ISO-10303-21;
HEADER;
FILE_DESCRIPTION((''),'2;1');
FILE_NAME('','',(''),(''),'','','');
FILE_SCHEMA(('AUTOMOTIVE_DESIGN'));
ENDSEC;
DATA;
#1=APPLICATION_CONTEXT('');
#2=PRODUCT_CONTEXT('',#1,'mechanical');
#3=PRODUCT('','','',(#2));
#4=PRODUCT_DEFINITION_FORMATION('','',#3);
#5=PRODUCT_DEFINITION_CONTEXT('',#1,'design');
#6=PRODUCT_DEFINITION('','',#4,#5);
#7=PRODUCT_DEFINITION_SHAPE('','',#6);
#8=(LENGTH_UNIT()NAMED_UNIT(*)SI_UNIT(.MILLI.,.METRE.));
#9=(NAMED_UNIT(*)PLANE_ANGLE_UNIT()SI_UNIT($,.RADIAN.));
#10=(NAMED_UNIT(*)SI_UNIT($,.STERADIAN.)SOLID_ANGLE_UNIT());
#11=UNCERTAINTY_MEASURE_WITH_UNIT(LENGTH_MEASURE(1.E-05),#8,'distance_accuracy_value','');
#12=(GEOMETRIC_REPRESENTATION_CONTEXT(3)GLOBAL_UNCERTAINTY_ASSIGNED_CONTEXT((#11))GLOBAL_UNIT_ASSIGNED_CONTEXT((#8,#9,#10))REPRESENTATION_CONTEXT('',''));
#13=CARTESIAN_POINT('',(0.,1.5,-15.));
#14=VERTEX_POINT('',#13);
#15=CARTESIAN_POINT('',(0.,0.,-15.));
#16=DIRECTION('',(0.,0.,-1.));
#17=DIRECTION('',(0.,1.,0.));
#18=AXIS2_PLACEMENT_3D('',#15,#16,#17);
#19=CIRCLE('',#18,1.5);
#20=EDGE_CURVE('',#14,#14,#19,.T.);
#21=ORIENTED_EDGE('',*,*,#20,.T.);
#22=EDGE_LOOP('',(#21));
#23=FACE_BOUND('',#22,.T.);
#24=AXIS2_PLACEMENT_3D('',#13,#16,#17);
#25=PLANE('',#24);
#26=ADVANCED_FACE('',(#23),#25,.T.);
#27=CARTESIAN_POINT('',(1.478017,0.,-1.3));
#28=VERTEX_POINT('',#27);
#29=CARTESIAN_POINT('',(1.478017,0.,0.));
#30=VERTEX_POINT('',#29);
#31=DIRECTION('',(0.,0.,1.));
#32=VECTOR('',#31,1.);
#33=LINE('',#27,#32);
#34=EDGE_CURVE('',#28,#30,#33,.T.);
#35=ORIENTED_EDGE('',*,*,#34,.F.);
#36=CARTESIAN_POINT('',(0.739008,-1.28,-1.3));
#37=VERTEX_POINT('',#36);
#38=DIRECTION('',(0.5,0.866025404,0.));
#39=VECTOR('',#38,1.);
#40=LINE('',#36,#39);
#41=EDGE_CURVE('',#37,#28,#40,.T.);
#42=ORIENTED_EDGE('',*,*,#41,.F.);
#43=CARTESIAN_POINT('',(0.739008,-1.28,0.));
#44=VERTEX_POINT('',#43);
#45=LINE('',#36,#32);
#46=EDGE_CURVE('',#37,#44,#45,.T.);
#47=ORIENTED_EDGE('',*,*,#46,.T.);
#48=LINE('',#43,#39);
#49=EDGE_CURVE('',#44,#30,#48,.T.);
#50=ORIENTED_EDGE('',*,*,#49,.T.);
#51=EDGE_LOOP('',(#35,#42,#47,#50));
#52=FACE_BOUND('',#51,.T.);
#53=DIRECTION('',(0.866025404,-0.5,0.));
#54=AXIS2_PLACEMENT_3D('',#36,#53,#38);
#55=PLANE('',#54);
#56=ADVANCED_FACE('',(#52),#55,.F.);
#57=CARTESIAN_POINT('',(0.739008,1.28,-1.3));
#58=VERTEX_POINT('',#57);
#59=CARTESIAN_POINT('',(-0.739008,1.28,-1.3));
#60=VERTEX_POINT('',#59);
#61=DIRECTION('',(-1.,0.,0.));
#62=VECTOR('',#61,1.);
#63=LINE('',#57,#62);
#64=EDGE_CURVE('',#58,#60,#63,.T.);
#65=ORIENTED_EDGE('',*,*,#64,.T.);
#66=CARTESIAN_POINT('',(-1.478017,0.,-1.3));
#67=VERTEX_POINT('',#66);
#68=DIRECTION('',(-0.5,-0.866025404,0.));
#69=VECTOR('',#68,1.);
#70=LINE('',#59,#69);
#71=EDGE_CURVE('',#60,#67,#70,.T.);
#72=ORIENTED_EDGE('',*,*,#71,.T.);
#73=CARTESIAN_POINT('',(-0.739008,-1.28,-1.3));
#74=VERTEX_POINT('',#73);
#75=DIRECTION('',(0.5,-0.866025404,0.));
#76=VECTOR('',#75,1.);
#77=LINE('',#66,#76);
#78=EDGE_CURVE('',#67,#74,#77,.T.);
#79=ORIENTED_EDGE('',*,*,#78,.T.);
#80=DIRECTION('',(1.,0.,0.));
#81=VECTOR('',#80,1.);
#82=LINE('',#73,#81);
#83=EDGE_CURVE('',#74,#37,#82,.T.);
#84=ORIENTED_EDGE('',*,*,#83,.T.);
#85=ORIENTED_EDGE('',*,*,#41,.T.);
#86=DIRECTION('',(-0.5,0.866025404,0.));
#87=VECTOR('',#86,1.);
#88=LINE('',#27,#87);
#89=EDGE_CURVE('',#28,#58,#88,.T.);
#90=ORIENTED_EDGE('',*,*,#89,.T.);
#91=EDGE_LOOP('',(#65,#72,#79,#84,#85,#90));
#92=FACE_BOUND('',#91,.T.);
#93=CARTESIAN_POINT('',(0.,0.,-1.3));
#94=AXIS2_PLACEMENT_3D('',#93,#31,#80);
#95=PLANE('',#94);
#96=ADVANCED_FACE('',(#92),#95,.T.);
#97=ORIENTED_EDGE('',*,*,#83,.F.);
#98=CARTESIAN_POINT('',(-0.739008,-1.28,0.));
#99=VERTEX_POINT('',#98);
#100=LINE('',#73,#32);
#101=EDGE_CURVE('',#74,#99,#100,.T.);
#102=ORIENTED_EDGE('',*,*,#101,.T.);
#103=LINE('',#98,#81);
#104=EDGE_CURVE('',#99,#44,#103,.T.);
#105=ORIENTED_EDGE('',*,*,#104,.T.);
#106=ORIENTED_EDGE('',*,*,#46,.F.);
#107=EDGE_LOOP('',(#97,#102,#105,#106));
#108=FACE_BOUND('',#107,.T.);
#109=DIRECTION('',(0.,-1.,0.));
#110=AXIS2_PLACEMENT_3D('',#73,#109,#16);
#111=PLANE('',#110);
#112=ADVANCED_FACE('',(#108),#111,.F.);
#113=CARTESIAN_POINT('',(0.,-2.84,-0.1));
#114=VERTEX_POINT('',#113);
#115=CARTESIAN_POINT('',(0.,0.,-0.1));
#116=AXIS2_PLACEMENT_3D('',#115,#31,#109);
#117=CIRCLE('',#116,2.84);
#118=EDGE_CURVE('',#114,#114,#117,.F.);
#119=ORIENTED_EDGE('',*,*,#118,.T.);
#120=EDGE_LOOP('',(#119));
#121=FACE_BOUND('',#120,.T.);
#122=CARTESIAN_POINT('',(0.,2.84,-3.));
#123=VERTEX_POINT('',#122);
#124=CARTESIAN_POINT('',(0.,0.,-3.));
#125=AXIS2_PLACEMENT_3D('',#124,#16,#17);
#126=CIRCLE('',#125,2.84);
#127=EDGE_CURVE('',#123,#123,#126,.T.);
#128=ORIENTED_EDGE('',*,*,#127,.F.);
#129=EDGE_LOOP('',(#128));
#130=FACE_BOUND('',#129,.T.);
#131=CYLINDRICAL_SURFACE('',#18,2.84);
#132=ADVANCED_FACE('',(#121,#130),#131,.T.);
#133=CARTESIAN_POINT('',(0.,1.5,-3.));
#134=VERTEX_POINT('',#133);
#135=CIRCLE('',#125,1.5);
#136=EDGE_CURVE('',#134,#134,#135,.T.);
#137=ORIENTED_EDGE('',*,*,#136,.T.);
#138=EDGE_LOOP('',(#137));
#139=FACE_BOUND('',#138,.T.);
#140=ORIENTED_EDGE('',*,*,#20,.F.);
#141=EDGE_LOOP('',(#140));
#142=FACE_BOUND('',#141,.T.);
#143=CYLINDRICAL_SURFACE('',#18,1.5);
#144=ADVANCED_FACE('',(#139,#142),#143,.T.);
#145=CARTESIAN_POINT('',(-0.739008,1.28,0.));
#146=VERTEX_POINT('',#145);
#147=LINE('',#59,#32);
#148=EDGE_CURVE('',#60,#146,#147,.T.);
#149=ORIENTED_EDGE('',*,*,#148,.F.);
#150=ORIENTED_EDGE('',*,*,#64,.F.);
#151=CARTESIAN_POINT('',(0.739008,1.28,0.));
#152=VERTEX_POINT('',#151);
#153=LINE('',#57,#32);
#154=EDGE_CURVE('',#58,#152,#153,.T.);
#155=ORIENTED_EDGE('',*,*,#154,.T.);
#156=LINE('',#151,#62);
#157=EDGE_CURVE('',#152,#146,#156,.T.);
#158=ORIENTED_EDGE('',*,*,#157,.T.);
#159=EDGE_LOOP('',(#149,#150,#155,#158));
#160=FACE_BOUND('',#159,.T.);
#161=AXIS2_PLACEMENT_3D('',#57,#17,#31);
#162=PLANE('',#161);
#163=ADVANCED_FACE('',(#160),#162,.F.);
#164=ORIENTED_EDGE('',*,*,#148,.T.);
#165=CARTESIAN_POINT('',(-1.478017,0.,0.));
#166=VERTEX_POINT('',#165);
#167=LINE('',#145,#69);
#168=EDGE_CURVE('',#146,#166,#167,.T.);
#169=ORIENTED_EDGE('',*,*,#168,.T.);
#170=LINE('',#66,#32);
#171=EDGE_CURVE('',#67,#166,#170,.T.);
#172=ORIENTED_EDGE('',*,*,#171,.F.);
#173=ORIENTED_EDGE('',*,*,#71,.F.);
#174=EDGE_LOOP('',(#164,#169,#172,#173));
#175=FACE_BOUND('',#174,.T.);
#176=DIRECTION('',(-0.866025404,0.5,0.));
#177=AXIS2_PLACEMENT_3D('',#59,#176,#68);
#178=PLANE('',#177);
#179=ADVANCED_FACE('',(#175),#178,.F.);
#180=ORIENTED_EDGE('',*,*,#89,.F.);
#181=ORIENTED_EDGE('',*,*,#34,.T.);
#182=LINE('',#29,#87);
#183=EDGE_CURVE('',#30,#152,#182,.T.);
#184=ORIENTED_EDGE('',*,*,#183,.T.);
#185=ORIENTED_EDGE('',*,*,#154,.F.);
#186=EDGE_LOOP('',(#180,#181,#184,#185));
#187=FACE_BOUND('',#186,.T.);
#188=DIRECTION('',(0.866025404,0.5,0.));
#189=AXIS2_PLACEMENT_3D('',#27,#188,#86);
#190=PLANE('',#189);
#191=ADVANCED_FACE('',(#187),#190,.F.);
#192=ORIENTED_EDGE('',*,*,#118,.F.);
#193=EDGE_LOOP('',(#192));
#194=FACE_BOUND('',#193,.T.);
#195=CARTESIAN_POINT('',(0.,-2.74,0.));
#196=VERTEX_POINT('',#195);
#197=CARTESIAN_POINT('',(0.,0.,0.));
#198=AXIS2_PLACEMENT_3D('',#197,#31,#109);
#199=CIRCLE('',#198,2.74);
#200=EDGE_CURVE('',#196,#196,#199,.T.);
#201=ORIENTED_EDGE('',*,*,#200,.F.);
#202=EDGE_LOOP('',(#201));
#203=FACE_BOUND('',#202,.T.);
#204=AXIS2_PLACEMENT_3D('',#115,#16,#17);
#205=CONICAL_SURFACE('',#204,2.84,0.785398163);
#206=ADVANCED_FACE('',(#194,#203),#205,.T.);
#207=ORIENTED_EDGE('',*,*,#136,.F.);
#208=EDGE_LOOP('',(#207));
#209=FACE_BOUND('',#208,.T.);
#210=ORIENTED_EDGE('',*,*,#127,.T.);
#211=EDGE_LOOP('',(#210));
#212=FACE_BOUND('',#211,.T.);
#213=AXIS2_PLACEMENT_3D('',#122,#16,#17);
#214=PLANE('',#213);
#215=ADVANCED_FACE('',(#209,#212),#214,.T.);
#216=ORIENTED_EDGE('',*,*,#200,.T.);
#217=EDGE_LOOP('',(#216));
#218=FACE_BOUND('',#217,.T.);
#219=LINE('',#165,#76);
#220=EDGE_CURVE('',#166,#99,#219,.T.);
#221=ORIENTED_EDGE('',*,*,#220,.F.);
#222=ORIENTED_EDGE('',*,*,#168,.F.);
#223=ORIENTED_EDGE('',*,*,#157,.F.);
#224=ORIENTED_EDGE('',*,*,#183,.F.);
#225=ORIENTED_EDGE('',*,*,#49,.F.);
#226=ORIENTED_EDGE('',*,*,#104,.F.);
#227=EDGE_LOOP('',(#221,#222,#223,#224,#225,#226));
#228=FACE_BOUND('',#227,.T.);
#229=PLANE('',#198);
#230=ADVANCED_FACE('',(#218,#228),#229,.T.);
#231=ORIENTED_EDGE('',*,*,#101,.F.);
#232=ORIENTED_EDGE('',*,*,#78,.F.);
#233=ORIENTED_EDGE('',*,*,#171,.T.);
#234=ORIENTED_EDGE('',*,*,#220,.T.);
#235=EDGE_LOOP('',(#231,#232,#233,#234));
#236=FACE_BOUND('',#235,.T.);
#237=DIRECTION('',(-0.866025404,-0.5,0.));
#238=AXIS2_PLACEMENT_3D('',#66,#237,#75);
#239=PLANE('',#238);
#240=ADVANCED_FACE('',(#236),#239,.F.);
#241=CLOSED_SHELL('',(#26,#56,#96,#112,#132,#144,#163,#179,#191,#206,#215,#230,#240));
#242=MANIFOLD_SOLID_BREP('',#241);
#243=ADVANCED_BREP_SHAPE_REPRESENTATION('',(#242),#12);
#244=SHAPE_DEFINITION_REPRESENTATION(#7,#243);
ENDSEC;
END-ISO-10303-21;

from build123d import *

# Parameters (mm, degrees)
CUT_EXTRUDE_1_DEPTH = 1.3
CHAMFER_628_SIZE    = 0.1


with BuildPart() as part:
    # 草图1 → 旋转1 (revolve)
    with BuildSketch(Plane(origin=(0, 0, 0), x_dir=(0, 0, -1), z_dir=(1, 0, 0))):
        Polygon((0, 0), (0, 2.84), (3, 2.84), (3, 1.5), (15, 1.5), (15, 0), align=None)
    revolve(axis=Axis((0, 0, -15), (0, 0, 1)))

    # 草图2 → 切除-拉伸1 (cut)
    with BuildSketch(Plane.XY):
        Polygon((0.739008345, 1.28), (-0.739008345, 1.28), (-1.478016689, 0), (-0.739008345, -1.28), (0.739008345, -1.28), (1.478016689, 0), align=None)
    extrude(amount=-CUT_EXTRUDE_1_DEPTH, mode=Mode.SUBTRACT)

    # Chamfer 628
    chamfer_628_edges = [part.edges().sort_by_distance(p)[0] for p in [
        (0, -2.84, 0),
    ]]
    chamfer(chamfer_628_edges, length=CHAMFER_628_SIZE)


solid = part.part
